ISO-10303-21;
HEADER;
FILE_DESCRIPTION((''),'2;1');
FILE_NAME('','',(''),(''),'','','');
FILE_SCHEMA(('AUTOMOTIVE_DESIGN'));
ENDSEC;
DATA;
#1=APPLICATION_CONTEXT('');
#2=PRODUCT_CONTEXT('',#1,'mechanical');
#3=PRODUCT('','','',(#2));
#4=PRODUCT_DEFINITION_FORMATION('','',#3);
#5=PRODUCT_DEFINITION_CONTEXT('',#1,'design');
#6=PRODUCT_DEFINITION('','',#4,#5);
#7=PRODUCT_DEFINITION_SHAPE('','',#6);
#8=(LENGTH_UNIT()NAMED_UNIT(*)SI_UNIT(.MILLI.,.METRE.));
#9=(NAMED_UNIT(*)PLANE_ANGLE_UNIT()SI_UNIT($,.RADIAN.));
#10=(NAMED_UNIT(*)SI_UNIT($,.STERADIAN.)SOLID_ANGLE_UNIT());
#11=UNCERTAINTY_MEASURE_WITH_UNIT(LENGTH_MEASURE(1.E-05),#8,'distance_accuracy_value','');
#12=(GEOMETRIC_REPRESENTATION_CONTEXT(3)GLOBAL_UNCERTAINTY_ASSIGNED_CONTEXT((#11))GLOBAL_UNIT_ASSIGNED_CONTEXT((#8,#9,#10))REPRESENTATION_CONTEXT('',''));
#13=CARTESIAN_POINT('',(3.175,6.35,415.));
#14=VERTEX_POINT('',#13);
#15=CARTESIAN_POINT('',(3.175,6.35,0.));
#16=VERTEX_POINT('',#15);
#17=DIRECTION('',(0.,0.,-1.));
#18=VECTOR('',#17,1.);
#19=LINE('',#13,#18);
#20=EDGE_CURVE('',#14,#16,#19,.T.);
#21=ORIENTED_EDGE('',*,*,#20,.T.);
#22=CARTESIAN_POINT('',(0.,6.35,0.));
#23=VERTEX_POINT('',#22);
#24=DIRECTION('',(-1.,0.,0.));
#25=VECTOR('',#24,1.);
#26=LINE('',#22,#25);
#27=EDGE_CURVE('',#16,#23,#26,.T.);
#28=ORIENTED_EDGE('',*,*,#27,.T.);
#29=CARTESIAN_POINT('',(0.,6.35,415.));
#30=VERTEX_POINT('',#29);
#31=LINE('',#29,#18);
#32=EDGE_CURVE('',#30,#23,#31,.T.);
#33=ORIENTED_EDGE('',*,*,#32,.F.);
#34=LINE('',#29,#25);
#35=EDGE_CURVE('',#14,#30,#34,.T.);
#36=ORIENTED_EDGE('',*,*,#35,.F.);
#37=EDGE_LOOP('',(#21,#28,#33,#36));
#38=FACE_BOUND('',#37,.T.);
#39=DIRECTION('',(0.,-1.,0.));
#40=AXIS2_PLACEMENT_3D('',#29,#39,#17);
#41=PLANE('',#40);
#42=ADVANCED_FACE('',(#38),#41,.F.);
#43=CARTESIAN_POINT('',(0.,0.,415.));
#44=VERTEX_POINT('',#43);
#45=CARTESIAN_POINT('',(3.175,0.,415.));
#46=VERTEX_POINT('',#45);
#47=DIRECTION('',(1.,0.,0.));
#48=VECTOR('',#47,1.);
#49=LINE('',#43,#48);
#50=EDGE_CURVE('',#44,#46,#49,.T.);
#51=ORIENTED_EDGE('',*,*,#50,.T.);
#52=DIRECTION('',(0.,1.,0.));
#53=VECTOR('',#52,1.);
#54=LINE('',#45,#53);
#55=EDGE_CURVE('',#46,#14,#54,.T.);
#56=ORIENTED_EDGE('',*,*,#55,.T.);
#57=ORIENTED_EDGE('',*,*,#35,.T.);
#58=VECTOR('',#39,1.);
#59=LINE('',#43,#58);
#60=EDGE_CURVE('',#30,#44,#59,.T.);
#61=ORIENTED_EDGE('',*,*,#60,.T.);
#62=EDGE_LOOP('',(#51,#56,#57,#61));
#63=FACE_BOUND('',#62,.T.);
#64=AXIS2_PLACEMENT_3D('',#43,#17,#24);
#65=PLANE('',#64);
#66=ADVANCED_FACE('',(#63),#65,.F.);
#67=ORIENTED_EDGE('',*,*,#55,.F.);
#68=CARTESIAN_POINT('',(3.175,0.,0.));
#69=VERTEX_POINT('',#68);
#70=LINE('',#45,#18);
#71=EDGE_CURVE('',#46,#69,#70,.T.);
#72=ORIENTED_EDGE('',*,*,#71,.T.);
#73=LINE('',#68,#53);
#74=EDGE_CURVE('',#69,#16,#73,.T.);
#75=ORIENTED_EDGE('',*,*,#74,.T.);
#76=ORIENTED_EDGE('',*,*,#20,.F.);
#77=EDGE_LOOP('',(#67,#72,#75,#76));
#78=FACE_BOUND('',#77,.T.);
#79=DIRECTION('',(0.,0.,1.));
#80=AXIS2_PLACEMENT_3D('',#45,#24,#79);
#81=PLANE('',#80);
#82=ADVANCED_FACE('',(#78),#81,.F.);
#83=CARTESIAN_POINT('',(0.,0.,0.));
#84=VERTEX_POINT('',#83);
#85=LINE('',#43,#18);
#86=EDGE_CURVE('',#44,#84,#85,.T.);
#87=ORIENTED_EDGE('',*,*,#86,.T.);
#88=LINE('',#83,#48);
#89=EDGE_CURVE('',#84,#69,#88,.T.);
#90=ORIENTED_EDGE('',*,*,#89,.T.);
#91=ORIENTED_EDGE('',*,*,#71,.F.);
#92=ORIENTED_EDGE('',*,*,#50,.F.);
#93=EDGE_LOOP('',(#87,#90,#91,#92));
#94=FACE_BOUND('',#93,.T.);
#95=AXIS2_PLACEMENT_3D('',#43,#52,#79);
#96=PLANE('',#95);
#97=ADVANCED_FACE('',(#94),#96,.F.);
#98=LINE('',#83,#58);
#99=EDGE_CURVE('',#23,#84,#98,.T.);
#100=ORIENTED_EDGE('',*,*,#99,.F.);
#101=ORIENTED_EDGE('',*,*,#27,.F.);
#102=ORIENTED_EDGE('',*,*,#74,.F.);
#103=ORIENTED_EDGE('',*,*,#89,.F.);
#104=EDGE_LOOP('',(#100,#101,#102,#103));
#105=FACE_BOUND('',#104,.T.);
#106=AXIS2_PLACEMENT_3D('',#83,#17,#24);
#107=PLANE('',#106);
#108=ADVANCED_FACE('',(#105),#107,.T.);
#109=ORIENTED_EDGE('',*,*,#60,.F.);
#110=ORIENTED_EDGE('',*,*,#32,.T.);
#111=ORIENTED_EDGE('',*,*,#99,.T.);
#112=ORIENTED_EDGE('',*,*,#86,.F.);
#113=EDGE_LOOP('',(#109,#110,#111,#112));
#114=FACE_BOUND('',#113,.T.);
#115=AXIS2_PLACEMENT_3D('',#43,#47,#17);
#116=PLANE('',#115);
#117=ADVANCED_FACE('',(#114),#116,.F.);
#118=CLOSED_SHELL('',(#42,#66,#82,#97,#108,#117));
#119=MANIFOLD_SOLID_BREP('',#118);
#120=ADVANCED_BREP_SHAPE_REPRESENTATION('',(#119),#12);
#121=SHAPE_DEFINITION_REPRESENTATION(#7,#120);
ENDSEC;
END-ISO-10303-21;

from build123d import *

# Parameters (mm, degrees)
SKETCH1_W           = 3.175
SKETCH1_H           = 6.35
BOSS_EXTRUDE1_DEPTH = 415


with BuildPart() as part:
    # Sketch1 → Boss-Extrude1 (new body)
    with BuildSketch(Plane.XY):
        with Locations((1.5875, 3.175)):
            Rectangle(SKETCH1_W, SKETCH1_H)
    extrude(amount=BOSS_EXTRUDE1_DEPTH)


solid = part.part
